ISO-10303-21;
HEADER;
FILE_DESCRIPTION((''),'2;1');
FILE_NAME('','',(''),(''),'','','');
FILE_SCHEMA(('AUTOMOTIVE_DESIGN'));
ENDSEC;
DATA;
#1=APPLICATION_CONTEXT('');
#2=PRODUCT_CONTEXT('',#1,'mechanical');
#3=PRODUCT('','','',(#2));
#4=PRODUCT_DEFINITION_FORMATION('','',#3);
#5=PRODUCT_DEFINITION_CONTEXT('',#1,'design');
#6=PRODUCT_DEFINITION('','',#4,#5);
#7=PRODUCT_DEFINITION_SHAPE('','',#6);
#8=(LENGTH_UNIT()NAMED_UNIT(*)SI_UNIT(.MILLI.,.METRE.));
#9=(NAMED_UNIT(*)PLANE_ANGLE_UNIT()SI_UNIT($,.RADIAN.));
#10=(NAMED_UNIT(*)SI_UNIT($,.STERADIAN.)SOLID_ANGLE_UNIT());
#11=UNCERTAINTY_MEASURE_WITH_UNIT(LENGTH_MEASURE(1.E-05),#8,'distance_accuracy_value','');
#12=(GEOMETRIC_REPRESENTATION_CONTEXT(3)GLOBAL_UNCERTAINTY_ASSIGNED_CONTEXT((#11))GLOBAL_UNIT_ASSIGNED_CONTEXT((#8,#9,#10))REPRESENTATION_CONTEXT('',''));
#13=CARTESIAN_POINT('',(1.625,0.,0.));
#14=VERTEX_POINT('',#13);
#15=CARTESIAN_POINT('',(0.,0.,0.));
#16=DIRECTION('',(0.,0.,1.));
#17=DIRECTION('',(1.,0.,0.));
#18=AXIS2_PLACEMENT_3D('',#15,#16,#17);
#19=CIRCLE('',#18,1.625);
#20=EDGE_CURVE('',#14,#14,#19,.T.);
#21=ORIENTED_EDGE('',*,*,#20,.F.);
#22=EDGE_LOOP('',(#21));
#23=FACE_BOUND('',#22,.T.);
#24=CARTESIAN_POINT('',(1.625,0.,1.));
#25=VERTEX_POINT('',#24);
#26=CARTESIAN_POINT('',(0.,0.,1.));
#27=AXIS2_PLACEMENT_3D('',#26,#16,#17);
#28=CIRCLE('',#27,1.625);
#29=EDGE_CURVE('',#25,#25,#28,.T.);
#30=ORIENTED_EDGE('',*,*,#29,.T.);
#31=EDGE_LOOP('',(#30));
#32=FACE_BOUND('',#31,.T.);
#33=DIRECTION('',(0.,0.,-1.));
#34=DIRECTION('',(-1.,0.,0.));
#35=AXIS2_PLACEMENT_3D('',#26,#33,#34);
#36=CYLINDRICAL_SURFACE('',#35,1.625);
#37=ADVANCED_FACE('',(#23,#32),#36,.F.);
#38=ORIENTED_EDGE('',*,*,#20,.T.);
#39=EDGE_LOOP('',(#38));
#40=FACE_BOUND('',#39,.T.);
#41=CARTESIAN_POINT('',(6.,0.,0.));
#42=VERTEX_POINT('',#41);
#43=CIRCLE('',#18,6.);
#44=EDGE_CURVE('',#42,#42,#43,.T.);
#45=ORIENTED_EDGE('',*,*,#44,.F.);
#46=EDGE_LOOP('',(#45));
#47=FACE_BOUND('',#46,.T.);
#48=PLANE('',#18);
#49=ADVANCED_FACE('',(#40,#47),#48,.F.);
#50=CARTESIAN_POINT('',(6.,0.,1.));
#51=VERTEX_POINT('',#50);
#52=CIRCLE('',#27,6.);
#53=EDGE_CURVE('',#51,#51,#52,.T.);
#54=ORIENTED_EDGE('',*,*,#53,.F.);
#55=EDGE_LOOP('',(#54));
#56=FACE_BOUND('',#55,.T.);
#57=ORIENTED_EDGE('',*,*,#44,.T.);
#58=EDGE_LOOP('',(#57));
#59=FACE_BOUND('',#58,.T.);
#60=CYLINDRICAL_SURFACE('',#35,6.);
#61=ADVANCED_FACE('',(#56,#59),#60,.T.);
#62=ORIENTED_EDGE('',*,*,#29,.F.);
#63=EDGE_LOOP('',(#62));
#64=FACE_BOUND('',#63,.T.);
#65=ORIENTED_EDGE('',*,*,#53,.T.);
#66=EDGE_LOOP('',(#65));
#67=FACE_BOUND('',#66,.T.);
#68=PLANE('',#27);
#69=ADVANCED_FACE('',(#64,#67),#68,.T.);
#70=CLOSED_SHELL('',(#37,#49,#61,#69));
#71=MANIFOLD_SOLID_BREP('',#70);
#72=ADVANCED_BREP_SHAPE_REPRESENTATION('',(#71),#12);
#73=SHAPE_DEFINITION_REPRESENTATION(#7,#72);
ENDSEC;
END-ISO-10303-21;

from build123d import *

# Parameters (mm, degrees)
ESBO_O1_R                = 6
ESBO_O1_R_2              = 1.625
RESSALTO_EXTRUS_O1_DEPTH = 1


with BuildPart() as part:
    # Esboço1 → Ressalto-extrusão1 (new body)
    with BuildSketch(Plane.XY):
        Circle(ESBO_O1_R)
        Circle(ESBO_O1_R_2, mode=Mode.SUBTRACT)
    extrude(amount=RESSALTO_EXTRUS_O1_DEPTH)


solid = part.part
